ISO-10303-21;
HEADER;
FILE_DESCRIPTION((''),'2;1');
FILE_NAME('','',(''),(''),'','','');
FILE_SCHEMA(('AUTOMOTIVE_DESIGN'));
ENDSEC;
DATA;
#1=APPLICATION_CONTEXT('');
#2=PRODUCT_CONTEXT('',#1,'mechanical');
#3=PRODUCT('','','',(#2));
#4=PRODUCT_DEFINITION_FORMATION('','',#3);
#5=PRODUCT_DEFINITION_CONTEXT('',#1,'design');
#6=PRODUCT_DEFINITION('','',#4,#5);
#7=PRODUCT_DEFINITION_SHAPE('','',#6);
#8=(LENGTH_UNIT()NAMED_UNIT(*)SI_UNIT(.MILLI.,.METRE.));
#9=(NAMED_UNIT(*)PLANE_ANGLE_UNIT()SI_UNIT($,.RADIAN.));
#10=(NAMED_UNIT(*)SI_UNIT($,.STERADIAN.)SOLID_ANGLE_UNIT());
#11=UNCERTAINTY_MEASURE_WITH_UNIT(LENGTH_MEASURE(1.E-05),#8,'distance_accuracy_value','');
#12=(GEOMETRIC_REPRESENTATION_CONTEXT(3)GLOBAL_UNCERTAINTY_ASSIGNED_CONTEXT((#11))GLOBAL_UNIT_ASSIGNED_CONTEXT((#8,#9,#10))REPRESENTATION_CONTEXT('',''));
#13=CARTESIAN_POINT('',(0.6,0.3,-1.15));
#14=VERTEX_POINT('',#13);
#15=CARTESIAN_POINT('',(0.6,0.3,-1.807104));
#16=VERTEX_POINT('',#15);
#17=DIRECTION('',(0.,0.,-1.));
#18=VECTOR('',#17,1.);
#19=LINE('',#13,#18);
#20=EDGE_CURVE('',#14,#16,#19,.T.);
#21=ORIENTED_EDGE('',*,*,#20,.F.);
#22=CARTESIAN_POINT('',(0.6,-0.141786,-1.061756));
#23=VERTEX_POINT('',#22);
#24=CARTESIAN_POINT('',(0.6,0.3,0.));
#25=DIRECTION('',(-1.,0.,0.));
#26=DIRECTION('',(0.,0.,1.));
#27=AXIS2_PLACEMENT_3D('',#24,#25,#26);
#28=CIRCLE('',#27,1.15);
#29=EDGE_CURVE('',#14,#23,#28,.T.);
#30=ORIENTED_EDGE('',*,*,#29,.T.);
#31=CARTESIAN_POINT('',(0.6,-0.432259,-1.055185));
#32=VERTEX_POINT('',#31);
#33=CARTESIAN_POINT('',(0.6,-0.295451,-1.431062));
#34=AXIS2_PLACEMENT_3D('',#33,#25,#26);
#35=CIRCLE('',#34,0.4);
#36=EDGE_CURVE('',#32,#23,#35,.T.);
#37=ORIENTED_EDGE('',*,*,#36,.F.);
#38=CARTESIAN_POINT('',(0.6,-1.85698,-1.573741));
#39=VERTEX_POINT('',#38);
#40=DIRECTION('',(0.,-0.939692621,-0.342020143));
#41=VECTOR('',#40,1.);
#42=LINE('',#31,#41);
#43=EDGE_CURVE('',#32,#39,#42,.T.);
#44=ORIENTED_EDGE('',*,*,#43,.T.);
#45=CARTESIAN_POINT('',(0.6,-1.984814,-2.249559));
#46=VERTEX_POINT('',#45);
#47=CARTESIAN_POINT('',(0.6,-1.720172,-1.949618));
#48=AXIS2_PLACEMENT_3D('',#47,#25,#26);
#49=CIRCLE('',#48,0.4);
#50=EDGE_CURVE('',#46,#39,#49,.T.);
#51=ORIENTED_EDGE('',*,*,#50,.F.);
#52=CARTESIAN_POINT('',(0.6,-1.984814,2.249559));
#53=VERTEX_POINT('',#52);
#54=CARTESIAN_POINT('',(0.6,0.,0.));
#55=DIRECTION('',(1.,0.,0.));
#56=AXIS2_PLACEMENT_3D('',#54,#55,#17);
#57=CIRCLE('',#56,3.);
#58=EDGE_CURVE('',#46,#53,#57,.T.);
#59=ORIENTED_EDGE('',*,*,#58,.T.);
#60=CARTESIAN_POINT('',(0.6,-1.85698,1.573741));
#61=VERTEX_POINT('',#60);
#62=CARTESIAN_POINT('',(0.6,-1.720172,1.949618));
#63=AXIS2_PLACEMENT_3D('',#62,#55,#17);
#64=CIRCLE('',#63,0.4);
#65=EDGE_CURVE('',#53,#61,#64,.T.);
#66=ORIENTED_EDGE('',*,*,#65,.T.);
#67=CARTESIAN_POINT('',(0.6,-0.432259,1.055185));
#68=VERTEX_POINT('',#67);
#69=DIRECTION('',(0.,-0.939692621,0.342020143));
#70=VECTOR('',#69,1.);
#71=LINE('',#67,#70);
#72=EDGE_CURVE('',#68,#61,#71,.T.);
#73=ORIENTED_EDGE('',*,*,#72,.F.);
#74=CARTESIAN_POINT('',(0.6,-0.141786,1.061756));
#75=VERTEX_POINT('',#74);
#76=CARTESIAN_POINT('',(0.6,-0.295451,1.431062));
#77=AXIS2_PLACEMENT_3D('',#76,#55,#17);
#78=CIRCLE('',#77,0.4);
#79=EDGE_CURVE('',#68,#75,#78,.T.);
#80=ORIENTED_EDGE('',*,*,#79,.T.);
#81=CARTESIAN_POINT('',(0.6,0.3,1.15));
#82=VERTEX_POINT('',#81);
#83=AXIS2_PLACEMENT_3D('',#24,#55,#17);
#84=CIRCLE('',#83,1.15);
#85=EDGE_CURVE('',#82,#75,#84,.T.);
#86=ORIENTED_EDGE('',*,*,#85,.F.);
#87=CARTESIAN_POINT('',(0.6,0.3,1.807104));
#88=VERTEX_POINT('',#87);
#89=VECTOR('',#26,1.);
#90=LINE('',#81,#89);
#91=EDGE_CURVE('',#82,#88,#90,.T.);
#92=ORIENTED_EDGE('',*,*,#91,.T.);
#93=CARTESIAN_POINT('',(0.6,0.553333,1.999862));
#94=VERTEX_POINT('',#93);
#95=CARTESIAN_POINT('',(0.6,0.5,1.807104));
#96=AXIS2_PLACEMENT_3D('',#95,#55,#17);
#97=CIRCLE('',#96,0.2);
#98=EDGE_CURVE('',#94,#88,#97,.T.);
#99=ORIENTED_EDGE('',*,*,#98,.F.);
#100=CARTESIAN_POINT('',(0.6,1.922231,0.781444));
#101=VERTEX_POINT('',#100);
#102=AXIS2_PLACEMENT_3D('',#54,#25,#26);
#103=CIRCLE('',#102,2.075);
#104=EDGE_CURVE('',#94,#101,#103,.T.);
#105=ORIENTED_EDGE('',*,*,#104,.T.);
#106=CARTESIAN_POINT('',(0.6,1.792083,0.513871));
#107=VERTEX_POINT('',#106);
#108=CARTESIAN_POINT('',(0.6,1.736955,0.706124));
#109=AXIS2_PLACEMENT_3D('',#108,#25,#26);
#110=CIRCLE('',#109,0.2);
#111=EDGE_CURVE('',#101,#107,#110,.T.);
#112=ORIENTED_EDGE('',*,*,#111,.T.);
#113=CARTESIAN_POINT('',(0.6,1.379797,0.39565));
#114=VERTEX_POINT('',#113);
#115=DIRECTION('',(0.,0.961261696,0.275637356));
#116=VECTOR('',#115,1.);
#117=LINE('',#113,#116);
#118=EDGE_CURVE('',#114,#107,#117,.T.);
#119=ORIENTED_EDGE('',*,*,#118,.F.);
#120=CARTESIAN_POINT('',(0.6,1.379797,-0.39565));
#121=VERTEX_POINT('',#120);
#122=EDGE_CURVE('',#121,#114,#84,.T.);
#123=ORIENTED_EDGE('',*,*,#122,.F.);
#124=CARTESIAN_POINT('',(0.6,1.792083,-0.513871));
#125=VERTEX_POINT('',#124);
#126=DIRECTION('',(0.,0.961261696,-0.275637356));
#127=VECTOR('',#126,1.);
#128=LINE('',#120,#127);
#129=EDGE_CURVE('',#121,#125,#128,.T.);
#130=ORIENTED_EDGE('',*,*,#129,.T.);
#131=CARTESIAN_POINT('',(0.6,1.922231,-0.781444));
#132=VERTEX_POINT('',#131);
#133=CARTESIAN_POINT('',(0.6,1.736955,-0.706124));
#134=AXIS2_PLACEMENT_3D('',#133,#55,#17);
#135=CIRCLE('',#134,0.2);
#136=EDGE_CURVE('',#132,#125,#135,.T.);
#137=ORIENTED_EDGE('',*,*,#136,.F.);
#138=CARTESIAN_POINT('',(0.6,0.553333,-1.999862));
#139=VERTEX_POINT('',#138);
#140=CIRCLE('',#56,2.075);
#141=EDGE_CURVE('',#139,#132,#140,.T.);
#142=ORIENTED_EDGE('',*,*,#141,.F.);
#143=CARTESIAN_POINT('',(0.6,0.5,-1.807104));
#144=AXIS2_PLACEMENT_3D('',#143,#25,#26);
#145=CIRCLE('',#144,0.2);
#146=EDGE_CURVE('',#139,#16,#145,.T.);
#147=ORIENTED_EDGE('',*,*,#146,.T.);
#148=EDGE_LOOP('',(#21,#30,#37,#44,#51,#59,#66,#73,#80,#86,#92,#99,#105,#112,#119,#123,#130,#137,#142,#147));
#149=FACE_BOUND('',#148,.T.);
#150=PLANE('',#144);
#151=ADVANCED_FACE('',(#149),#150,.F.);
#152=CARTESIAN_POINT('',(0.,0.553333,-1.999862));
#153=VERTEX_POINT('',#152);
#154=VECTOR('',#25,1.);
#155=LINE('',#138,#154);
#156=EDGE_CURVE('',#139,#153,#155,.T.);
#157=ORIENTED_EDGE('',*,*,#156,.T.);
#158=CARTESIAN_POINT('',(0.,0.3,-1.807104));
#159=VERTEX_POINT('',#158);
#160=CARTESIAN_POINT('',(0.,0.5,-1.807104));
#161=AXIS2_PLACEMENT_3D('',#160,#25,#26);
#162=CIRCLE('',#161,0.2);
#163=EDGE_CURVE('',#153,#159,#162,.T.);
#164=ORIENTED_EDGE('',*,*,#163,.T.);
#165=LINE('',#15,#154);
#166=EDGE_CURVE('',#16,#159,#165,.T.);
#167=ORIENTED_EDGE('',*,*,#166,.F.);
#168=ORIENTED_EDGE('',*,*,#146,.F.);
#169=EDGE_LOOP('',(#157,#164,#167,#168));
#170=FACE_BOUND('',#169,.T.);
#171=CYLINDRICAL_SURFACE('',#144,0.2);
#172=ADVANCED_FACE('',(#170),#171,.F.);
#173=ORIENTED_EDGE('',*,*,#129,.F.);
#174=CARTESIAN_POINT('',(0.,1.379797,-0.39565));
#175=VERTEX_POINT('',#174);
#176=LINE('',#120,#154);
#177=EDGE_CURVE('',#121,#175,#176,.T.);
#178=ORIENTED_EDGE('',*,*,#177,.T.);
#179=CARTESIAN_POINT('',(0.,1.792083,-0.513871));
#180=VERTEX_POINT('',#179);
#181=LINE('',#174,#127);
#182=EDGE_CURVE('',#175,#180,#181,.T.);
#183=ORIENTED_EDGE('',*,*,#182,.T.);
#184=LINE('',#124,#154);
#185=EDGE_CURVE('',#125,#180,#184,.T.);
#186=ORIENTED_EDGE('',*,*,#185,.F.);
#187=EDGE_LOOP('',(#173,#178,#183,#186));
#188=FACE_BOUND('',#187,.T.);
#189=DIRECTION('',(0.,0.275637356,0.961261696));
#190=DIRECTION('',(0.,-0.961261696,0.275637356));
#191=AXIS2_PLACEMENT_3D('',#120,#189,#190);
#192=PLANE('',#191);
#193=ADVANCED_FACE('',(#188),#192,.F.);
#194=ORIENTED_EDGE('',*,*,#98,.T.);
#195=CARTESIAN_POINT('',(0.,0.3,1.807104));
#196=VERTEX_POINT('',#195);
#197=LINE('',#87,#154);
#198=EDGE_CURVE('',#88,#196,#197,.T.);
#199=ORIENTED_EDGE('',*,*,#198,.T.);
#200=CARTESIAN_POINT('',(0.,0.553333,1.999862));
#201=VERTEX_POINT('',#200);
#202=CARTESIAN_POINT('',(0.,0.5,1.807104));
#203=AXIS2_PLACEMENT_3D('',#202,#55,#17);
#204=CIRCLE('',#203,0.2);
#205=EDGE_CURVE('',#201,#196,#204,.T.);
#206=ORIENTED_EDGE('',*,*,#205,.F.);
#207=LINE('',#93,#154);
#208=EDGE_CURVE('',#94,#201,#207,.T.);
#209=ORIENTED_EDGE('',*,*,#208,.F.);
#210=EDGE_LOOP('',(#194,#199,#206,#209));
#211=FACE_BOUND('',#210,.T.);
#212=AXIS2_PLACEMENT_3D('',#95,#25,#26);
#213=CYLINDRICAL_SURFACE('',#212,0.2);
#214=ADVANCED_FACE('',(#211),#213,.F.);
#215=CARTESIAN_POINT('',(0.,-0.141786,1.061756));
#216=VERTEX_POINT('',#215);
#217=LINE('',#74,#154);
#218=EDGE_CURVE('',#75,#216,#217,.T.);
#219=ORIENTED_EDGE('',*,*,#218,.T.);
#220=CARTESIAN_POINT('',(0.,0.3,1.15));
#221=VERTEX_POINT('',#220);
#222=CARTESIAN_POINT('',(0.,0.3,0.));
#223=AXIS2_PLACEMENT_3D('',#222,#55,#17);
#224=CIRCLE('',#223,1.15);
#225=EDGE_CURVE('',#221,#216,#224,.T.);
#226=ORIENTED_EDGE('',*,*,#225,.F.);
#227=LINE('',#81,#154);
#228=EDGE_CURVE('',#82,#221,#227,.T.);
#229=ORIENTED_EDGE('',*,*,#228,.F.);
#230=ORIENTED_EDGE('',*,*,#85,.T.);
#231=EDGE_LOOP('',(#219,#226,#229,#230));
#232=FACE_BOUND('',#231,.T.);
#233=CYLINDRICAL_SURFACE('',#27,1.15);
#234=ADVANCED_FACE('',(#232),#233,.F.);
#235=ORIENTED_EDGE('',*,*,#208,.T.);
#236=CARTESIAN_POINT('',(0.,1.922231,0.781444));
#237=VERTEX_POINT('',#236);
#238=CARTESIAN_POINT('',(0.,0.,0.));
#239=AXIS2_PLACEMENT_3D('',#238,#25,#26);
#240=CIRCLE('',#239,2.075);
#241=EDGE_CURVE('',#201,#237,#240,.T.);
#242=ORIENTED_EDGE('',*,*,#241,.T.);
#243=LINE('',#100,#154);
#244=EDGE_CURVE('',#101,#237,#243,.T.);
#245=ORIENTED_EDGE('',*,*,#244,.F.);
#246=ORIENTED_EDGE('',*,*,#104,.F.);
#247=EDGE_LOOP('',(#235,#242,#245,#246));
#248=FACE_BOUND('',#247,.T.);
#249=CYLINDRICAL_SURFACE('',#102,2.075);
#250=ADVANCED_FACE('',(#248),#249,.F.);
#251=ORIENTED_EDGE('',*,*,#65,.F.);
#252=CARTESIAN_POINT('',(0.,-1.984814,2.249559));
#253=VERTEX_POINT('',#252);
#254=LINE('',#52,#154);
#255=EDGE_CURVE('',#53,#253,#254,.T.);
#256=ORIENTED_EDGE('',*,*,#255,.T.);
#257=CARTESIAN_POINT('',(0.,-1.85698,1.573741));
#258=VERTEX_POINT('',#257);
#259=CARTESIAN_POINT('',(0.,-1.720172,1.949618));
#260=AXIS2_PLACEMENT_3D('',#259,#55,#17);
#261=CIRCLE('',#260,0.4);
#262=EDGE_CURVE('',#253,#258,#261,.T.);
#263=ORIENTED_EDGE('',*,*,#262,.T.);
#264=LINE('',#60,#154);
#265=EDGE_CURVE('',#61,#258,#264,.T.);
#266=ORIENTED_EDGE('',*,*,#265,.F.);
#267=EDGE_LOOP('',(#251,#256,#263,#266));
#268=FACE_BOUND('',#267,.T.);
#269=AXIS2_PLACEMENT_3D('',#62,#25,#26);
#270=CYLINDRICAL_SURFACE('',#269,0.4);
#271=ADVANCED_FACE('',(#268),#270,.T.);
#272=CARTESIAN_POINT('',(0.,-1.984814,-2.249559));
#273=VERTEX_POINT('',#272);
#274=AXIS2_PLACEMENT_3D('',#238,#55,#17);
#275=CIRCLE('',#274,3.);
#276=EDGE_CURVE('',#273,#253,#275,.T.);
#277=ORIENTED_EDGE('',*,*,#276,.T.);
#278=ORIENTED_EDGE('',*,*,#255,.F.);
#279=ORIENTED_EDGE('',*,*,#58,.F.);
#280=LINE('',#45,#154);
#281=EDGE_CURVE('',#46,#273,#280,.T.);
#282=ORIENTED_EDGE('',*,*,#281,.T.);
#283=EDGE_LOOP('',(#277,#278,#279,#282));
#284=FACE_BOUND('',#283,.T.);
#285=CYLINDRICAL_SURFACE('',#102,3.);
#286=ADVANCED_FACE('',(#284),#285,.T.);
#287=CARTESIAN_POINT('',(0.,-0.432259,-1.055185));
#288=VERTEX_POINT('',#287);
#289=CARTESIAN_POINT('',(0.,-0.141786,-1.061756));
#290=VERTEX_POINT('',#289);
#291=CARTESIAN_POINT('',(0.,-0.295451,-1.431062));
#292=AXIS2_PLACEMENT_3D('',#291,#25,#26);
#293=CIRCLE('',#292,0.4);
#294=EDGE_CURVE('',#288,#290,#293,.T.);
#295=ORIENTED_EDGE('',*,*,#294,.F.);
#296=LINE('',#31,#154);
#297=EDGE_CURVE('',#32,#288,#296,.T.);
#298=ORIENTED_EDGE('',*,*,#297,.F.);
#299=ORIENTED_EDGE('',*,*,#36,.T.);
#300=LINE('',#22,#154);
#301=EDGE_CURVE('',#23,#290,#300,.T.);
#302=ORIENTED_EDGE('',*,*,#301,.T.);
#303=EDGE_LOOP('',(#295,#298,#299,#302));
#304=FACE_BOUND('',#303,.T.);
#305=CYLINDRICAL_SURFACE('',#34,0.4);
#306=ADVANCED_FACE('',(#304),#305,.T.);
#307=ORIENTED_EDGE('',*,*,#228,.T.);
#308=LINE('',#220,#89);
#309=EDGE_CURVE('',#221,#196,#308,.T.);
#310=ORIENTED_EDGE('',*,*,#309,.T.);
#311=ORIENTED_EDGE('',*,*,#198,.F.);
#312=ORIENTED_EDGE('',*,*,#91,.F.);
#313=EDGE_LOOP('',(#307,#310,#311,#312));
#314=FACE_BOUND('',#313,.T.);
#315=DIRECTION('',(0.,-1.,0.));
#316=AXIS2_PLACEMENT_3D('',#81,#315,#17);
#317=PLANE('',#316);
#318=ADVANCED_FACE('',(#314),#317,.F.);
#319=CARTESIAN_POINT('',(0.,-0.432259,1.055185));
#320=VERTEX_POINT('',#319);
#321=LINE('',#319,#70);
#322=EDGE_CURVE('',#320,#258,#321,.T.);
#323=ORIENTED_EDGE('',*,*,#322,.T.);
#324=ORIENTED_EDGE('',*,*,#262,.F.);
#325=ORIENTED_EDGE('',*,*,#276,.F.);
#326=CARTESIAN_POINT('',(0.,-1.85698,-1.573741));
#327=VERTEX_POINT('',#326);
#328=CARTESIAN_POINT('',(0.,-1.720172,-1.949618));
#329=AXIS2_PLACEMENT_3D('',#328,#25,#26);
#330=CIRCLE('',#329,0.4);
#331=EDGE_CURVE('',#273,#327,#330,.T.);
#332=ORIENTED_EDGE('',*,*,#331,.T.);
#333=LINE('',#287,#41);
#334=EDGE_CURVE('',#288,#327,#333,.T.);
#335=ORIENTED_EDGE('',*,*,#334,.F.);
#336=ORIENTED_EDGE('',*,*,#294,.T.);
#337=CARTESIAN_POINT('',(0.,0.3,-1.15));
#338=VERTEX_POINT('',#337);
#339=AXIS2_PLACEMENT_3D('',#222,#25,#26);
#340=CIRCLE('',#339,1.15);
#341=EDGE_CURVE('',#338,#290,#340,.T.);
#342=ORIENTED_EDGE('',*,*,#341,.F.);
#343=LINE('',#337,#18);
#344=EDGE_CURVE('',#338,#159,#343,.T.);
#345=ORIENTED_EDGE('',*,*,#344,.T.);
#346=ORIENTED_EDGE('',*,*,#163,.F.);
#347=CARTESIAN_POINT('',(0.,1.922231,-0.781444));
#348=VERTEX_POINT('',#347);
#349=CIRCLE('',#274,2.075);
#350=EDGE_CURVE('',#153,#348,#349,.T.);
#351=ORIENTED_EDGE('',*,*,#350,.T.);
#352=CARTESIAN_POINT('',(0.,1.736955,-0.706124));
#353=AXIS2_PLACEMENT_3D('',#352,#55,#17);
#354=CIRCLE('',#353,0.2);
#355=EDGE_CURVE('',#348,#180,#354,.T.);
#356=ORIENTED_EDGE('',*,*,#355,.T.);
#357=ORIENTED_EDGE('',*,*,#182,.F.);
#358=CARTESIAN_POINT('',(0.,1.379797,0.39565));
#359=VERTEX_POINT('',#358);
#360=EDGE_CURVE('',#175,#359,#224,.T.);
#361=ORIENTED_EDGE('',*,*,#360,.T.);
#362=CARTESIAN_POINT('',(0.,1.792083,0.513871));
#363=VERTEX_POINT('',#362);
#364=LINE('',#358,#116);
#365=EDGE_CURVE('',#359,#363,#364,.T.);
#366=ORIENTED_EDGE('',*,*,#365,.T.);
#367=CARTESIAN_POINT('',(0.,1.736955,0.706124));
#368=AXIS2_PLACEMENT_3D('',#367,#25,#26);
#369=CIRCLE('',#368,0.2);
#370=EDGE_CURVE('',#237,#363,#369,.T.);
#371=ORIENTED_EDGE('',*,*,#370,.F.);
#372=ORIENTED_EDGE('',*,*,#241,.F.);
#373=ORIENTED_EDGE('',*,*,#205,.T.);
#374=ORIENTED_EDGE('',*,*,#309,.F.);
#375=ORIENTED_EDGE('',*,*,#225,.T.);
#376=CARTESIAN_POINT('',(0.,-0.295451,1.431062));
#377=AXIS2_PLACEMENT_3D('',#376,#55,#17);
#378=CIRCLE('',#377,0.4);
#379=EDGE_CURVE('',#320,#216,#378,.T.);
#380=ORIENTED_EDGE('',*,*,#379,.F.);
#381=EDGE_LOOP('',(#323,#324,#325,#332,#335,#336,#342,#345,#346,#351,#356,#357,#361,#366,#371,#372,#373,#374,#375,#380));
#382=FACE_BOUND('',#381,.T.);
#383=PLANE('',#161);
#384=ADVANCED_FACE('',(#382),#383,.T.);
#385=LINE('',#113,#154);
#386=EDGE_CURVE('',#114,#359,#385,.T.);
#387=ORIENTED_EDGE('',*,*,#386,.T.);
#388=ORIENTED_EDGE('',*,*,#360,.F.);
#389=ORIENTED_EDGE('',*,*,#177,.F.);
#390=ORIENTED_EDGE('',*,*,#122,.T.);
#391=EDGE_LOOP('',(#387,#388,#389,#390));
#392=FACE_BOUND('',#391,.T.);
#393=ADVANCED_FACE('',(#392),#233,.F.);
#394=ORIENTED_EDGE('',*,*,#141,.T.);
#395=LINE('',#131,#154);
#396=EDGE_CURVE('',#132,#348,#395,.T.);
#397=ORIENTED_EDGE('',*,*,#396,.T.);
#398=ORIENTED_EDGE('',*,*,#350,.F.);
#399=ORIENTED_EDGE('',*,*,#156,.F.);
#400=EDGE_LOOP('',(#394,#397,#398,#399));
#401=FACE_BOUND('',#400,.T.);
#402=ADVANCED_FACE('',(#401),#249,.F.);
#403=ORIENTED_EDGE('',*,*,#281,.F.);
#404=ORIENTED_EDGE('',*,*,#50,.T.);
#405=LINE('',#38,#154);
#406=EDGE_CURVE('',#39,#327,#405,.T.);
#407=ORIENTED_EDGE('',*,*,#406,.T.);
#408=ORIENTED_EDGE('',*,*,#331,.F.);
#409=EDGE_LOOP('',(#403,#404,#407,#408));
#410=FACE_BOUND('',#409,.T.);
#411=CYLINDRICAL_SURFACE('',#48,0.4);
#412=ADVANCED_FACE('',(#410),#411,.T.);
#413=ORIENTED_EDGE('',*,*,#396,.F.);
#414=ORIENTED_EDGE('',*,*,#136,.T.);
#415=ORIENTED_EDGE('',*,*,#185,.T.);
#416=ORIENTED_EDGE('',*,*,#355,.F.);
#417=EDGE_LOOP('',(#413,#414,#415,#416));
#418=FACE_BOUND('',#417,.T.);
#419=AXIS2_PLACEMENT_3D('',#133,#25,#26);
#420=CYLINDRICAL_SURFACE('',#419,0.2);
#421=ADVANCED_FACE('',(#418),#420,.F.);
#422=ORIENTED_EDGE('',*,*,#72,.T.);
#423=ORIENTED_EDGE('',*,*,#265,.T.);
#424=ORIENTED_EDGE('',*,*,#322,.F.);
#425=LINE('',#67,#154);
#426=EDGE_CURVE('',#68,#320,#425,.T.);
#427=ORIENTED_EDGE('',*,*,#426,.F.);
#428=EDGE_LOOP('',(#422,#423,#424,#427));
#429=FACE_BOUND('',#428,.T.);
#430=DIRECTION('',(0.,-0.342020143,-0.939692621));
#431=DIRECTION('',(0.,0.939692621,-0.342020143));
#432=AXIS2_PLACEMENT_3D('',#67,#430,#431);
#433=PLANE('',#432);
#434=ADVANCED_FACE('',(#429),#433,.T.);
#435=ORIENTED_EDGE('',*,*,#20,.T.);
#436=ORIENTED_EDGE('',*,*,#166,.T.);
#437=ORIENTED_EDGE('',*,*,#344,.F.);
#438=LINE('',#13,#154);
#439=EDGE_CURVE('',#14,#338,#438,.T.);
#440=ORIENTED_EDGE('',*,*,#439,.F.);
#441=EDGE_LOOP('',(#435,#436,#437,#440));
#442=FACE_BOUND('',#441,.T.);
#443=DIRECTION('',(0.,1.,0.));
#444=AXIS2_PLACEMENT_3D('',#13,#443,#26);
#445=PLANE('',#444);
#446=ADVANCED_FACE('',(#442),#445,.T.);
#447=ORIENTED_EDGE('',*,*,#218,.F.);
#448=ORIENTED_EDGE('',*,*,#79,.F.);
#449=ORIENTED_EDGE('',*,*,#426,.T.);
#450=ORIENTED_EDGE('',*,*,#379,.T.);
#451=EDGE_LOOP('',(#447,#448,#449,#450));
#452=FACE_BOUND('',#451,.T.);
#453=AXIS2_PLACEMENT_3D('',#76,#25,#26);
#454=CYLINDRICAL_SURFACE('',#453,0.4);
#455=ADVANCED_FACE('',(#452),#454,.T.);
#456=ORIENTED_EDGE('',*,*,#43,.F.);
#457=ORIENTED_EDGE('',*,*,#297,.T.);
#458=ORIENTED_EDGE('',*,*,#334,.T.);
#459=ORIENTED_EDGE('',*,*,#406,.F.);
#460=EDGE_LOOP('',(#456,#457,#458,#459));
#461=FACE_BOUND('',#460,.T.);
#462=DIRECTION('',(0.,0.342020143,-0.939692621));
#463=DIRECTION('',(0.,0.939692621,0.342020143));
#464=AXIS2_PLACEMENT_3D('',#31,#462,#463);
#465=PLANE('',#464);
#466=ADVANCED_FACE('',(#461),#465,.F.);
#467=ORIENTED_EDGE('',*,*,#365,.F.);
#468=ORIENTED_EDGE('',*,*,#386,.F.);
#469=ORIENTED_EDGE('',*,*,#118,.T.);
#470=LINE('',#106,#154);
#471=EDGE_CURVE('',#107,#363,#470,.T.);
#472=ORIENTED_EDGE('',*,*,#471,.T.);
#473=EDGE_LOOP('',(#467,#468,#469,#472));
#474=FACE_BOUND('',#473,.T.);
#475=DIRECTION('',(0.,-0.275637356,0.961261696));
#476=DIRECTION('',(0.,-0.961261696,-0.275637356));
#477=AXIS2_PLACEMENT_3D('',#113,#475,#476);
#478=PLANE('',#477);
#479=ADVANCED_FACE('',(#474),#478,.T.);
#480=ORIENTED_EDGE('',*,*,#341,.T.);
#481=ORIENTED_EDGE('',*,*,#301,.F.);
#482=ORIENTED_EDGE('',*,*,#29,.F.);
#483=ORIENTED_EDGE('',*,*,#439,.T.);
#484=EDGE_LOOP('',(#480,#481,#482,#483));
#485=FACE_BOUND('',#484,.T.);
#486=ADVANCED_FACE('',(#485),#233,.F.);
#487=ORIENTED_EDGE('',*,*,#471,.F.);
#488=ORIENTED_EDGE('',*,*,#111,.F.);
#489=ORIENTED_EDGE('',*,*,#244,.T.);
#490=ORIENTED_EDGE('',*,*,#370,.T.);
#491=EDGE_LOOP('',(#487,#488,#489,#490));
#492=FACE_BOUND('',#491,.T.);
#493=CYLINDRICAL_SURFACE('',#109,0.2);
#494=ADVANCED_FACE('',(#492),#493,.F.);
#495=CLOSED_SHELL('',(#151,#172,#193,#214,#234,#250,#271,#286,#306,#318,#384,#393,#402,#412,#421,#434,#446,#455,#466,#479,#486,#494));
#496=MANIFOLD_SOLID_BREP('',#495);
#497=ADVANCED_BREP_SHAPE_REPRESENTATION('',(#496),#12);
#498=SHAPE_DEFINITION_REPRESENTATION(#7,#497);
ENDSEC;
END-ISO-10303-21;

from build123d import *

# Parameters (mm, degrees)
BASE_EXTRUSION_DEPTH = 0.6


with BuildPart() as part:
    # Esquisse1 → Base-Extrusion (new body)
    with BuildSketch(Plane(origin=(0, 0, 0), x_dir=(0, 0, -1), z_dir=(1, 0, 0))):
        with BuildLine():
            Line((0.395650325, 1.379796657), (0.513871499, 1.792082889))
            ThreePointArc((0.513871499, 1.792082889), (0.618642921, 1.916808383), (0.781443715, 1.922230663))
            ThreePointArc((0.781443715, 1.922230663), (1.549962924, 1.379579622), (1.999861801, 0.553333333))
            ThreePointArc((1.999861801, 0.553333333), (1.966268522, 0.378893986), (1.807104037, 0.3))
            Line((1.807104037, 0.3), (1.15, 0.3))
            ThreePointArc((1.15, 0.3), (1.127723116, 0.074743316), (1.061755524, -0.141786383))
            ThreePointArc((1.061755524, -0.141786383), (1.031164095, -0.286405137), (1.055184744, -0.432259269))
            Line((1.055184744, -0.432259269), (1.573740622, -1.856979833))
            ThreePointArc((1.573740622, -1.856979833), (1.875274337, -2.113202397), (2.249558851, -1.984813588))
            ThreePointArc((2.249558851, -1.984813588), (0, 3), (-2.249558851, -1.984813588))
            ThreePointArc((-2.249558851, -1.984813588), (-1.875274337, -2.113202397), (-1.573740622, -1.856979833))
            Line((-1.573740622, -1.856979833), (-1.055184744, -0.432259269))
            ThreePointArc((-1.055184744, -0.432259269), (-1.031164095, -0.286405137), (-1.061755524, -0.141786383))
            ThreePointArc((-1.061755524, -0.141786383), (-1.127723116, 0.074743316), (-1.15, 0.3))
            Line((-1.15, 0.3), (-1.807104037, 0.3))
            ThreePointArc((-1.807104037, 0.3), (-1.966268522, 0.378893986), (-1.999861801, 0.553333333))
            ThreePointArc((-1.999861801, 0.553333333), (-1.549962924, 1.379579622), (-0.781443715, 1.922230663))
            ThreePointArc((-0.781443715, 1.922230663), (-0.618642921, 1.916808383), (-0.513871499, 1.792082889))
            Line((-0.513871499, 1.792082889), (-0.395650325, 1.379796657))
            ThreePointArc((-0.395650325, 1.379796657), (0, 1.45), (0.395650325, 1.379796657))
        make_face()
    extrude(amount=BASE_EXTRUSION_DEPTH)


solid = part.part
